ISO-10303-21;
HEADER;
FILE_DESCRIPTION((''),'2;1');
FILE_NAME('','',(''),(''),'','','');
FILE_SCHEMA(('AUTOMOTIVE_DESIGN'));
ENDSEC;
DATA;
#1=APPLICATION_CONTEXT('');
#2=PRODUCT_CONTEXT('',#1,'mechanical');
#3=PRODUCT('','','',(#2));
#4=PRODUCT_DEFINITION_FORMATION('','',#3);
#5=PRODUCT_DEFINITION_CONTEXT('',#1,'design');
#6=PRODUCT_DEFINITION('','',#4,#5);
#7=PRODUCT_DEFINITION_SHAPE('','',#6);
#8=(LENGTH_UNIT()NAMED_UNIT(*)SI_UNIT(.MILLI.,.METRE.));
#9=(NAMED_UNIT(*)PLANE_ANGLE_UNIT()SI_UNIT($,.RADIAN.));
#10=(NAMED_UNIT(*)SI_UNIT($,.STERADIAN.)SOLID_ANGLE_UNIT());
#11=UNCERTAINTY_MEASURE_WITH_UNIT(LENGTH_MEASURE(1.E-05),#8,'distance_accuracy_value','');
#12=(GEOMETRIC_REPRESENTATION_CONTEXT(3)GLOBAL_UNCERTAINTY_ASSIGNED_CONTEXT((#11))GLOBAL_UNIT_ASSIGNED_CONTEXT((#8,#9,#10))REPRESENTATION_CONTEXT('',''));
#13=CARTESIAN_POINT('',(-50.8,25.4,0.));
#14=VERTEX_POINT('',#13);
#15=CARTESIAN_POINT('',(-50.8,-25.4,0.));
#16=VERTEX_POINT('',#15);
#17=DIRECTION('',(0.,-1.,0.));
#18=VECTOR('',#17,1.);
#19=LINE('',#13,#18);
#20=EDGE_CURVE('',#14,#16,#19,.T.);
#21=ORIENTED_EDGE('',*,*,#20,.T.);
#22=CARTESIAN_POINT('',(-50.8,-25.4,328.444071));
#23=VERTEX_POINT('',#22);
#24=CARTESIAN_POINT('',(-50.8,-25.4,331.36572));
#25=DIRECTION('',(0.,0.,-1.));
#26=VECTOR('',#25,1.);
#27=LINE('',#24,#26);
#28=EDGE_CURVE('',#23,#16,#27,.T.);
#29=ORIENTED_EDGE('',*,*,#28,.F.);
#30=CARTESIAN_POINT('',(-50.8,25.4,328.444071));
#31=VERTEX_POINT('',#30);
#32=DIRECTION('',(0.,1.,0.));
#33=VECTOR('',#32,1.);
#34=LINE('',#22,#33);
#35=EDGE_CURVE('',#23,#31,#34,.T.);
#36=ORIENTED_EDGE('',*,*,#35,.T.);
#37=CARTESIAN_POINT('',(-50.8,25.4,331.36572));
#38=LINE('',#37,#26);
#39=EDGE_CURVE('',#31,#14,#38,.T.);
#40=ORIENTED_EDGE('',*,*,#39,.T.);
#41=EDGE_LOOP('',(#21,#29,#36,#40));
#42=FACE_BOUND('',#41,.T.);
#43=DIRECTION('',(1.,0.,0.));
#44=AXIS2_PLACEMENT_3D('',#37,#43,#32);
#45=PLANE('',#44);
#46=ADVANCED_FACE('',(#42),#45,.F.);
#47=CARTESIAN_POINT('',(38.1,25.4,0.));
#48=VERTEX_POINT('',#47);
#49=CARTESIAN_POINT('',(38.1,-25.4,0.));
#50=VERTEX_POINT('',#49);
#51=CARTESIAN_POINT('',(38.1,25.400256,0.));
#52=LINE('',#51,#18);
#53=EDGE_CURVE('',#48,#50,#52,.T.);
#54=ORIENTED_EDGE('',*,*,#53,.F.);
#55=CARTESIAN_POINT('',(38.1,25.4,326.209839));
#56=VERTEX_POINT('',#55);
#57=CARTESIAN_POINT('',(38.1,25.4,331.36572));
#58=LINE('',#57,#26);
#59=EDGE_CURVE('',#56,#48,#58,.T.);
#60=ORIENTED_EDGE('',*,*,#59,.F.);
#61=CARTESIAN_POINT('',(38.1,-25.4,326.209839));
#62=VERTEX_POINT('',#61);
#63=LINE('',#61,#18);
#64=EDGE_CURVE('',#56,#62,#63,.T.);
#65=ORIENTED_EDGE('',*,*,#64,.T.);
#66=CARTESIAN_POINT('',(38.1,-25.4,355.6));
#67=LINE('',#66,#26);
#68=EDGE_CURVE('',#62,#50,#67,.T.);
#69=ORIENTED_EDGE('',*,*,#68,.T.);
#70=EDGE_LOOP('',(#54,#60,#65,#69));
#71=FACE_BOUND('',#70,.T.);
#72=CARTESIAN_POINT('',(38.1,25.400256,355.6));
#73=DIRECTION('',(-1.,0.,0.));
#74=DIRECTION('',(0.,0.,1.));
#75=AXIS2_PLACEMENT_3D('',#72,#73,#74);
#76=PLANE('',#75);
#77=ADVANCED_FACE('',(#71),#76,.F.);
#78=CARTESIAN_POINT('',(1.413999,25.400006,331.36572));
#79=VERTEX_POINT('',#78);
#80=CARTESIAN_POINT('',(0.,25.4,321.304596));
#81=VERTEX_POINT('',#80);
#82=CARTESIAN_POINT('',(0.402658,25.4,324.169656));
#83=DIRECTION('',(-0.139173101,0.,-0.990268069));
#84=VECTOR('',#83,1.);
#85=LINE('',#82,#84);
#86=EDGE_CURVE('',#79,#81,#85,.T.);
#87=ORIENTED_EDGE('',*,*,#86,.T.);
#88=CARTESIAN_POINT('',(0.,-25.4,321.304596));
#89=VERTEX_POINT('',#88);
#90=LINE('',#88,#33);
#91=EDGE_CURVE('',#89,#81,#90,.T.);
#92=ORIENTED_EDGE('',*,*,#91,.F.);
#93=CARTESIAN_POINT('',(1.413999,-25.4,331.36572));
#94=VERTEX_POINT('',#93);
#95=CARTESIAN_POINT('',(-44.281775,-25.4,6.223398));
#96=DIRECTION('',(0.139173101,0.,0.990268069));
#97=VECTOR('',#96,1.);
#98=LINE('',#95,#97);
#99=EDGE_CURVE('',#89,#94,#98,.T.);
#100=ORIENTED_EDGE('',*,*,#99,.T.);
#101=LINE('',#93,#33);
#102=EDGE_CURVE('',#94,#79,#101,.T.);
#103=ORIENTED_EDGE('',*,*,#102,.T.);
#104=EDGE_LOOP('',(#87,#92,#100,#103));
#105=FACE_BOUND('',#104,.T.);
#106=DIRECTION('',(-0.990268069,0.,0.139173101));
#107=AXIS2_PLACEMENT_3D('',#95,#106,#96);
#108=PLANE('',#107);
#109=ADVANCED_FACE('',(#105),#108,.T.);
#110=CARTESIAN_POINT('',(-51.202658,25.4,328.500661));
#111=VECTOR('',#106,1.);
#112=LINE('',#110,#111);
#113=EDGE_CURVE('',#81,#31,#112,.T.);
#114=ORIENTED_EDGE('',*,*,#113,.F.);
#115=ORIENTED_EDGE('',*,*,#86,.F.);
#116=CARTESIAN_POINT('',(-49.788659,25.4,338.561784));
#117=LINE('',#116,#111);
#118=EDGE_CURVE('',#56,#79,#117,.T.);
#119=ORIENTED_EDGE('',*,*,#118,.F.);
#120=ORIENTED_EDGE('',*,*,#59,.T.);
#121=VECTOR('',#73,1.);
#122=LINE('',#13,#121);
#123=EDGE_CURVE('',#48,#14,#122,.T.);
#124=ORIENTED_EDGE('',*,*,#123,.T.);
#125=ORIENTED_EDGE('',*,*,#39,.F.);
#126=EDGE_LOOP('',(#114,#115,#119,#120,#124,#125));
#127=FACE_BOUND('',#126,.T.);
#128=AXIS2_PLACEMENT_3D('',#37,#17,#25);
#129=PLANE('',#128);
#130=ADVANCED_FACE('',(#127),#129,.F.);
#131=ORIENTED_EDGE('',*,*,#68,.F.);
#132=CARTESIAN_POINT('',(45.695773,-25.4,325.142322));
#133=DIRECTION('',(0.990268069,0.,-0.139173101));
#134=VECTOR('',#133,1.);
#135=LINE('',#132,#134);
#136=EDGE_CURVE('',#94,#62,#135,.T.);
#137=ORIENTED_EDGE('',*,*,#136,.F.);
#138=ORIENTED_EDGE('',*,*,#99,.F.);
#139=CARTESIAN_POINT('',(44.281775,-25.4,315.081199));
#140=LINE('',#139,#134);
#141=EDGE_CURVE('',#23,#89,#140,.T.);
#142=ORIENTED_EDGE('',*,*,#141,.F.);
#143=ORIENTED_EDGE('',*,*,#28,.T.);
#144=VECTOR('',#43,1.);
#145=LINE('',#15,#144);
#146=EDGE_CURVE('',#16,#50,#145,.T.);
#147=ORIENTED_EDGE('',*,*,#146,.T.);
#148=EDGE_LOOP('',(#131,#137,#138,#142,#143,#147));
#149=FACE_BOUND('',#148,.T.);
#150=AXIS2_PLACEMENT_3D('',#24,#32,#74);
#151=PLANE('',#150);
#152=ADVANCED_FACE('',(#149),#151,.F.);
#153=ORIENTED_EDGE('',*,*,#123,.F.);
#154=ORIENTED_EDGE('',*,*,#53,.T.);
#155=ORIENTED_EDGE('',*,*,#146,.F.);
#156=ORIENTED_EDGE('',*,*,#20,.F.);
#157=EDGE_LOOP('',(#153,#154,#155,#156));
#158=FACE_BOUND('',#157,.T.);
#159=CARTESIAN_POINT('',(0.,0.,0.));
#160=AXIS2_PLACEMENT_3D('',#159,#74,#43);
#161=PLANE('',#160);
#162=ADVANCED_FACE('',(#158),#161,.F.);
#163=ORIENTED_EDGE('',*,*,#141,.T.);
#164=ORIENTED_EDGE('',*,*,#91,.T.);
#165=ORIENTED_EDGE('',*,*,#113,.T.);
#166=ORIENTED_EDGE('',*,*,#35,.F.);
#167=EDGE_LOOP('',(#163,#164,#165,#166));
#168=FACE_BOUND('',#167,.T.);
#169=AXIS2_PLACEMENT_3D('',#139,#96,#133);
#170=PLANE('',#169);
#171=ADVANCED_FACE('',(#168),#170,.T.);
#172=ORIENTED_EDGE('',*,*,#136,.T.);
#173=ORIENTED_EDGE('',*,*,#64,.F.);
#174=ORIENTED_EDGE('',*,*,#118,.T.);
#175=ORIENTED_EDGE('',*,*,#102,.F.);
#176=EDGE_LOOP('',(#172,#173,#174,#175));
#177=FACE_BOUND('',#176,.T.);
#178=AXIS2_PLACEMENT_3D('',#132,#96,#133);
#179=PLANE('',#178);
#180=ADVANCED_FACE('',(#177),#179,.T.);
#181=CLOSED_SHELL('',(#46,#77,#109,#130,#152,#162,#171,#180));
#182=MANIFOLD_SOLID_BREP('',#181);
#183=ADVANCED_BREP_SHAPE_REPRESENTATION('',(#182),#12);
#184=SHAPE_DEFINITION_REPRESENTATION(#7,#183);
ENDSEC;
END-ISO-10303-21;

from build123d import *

# Parameters (mm, degrees)
SKETCH1_W               = 101.6
SKETCH1_H               = 50.8
BOSS_EXTRUDE1_DEPTH     = 331.365720046
CUT_EXTRUDE1_DEPTH      = 340.064183336
CUT_EXTRUDE1_DEPTH_BACK = 340.064183336
CUT_EXTRUDE2_DEPTH      = 340.064183336
CUT_EXTRUDE2_DEPTH_BACK = 340.064183336
SKETCH3_W               = 12.7
SKETCH3_H               = 355.6


with BuildPart() as part:
    # Sketch1 → Boss-Extrude1 (new body)
    with BuildSketch(Plane.XY):
        Rectangle(SKETCH1_W, SKETCH1_H)
    extrude(amount=BOSS_EXTRUDE1_DEPTH)

    # Sketch2 → Cut-Extrude1 (cut, two sides: drawn at the far end of the back side and taken through both)
    with BuildSketch(Plane(origin=(0, 25.4, 0), x_dir=(1, 0, 0), z_dir=(0, 1, 0)).offset(-CUT_EXTRUDE1_DEPTH_BACK)):
        Polygon((50.8, -324.424970201), (1.413998706, -331.365720046), (50.8, -331.365720046), align=None)
        Polygon((0, -321.304596468), (-50.8, -328.44407087), (-50.8, -331.365720046), (1.413998706, -331.365720046), align=None)
    extrude(amount=CUT_EXTRUDE1_DEPTH + CUT_EXTRUDE1_DEPTH_BACK, mode=Mode.SUBTRACT)

    # Sketch3 → Cut-Extrude2 (cut, two sides: drawn at the far end of the back side and taken through both)
    with BuildSketch(Plane.XZ.offset(25.4).offset(-CUT_EXTRUDE2_DEPTH_BACK)):
        with Locations((44.45, 177.8)):
            Rectangle(SKETCH3_W, SKETCH3_H)
    extrude(amount=CUT_EXTRUDE2_DEPTH + CUT_EXTRUDE2_DEPTH_BACK, mode=Mode.SUBTRACT)


solid = part.part
